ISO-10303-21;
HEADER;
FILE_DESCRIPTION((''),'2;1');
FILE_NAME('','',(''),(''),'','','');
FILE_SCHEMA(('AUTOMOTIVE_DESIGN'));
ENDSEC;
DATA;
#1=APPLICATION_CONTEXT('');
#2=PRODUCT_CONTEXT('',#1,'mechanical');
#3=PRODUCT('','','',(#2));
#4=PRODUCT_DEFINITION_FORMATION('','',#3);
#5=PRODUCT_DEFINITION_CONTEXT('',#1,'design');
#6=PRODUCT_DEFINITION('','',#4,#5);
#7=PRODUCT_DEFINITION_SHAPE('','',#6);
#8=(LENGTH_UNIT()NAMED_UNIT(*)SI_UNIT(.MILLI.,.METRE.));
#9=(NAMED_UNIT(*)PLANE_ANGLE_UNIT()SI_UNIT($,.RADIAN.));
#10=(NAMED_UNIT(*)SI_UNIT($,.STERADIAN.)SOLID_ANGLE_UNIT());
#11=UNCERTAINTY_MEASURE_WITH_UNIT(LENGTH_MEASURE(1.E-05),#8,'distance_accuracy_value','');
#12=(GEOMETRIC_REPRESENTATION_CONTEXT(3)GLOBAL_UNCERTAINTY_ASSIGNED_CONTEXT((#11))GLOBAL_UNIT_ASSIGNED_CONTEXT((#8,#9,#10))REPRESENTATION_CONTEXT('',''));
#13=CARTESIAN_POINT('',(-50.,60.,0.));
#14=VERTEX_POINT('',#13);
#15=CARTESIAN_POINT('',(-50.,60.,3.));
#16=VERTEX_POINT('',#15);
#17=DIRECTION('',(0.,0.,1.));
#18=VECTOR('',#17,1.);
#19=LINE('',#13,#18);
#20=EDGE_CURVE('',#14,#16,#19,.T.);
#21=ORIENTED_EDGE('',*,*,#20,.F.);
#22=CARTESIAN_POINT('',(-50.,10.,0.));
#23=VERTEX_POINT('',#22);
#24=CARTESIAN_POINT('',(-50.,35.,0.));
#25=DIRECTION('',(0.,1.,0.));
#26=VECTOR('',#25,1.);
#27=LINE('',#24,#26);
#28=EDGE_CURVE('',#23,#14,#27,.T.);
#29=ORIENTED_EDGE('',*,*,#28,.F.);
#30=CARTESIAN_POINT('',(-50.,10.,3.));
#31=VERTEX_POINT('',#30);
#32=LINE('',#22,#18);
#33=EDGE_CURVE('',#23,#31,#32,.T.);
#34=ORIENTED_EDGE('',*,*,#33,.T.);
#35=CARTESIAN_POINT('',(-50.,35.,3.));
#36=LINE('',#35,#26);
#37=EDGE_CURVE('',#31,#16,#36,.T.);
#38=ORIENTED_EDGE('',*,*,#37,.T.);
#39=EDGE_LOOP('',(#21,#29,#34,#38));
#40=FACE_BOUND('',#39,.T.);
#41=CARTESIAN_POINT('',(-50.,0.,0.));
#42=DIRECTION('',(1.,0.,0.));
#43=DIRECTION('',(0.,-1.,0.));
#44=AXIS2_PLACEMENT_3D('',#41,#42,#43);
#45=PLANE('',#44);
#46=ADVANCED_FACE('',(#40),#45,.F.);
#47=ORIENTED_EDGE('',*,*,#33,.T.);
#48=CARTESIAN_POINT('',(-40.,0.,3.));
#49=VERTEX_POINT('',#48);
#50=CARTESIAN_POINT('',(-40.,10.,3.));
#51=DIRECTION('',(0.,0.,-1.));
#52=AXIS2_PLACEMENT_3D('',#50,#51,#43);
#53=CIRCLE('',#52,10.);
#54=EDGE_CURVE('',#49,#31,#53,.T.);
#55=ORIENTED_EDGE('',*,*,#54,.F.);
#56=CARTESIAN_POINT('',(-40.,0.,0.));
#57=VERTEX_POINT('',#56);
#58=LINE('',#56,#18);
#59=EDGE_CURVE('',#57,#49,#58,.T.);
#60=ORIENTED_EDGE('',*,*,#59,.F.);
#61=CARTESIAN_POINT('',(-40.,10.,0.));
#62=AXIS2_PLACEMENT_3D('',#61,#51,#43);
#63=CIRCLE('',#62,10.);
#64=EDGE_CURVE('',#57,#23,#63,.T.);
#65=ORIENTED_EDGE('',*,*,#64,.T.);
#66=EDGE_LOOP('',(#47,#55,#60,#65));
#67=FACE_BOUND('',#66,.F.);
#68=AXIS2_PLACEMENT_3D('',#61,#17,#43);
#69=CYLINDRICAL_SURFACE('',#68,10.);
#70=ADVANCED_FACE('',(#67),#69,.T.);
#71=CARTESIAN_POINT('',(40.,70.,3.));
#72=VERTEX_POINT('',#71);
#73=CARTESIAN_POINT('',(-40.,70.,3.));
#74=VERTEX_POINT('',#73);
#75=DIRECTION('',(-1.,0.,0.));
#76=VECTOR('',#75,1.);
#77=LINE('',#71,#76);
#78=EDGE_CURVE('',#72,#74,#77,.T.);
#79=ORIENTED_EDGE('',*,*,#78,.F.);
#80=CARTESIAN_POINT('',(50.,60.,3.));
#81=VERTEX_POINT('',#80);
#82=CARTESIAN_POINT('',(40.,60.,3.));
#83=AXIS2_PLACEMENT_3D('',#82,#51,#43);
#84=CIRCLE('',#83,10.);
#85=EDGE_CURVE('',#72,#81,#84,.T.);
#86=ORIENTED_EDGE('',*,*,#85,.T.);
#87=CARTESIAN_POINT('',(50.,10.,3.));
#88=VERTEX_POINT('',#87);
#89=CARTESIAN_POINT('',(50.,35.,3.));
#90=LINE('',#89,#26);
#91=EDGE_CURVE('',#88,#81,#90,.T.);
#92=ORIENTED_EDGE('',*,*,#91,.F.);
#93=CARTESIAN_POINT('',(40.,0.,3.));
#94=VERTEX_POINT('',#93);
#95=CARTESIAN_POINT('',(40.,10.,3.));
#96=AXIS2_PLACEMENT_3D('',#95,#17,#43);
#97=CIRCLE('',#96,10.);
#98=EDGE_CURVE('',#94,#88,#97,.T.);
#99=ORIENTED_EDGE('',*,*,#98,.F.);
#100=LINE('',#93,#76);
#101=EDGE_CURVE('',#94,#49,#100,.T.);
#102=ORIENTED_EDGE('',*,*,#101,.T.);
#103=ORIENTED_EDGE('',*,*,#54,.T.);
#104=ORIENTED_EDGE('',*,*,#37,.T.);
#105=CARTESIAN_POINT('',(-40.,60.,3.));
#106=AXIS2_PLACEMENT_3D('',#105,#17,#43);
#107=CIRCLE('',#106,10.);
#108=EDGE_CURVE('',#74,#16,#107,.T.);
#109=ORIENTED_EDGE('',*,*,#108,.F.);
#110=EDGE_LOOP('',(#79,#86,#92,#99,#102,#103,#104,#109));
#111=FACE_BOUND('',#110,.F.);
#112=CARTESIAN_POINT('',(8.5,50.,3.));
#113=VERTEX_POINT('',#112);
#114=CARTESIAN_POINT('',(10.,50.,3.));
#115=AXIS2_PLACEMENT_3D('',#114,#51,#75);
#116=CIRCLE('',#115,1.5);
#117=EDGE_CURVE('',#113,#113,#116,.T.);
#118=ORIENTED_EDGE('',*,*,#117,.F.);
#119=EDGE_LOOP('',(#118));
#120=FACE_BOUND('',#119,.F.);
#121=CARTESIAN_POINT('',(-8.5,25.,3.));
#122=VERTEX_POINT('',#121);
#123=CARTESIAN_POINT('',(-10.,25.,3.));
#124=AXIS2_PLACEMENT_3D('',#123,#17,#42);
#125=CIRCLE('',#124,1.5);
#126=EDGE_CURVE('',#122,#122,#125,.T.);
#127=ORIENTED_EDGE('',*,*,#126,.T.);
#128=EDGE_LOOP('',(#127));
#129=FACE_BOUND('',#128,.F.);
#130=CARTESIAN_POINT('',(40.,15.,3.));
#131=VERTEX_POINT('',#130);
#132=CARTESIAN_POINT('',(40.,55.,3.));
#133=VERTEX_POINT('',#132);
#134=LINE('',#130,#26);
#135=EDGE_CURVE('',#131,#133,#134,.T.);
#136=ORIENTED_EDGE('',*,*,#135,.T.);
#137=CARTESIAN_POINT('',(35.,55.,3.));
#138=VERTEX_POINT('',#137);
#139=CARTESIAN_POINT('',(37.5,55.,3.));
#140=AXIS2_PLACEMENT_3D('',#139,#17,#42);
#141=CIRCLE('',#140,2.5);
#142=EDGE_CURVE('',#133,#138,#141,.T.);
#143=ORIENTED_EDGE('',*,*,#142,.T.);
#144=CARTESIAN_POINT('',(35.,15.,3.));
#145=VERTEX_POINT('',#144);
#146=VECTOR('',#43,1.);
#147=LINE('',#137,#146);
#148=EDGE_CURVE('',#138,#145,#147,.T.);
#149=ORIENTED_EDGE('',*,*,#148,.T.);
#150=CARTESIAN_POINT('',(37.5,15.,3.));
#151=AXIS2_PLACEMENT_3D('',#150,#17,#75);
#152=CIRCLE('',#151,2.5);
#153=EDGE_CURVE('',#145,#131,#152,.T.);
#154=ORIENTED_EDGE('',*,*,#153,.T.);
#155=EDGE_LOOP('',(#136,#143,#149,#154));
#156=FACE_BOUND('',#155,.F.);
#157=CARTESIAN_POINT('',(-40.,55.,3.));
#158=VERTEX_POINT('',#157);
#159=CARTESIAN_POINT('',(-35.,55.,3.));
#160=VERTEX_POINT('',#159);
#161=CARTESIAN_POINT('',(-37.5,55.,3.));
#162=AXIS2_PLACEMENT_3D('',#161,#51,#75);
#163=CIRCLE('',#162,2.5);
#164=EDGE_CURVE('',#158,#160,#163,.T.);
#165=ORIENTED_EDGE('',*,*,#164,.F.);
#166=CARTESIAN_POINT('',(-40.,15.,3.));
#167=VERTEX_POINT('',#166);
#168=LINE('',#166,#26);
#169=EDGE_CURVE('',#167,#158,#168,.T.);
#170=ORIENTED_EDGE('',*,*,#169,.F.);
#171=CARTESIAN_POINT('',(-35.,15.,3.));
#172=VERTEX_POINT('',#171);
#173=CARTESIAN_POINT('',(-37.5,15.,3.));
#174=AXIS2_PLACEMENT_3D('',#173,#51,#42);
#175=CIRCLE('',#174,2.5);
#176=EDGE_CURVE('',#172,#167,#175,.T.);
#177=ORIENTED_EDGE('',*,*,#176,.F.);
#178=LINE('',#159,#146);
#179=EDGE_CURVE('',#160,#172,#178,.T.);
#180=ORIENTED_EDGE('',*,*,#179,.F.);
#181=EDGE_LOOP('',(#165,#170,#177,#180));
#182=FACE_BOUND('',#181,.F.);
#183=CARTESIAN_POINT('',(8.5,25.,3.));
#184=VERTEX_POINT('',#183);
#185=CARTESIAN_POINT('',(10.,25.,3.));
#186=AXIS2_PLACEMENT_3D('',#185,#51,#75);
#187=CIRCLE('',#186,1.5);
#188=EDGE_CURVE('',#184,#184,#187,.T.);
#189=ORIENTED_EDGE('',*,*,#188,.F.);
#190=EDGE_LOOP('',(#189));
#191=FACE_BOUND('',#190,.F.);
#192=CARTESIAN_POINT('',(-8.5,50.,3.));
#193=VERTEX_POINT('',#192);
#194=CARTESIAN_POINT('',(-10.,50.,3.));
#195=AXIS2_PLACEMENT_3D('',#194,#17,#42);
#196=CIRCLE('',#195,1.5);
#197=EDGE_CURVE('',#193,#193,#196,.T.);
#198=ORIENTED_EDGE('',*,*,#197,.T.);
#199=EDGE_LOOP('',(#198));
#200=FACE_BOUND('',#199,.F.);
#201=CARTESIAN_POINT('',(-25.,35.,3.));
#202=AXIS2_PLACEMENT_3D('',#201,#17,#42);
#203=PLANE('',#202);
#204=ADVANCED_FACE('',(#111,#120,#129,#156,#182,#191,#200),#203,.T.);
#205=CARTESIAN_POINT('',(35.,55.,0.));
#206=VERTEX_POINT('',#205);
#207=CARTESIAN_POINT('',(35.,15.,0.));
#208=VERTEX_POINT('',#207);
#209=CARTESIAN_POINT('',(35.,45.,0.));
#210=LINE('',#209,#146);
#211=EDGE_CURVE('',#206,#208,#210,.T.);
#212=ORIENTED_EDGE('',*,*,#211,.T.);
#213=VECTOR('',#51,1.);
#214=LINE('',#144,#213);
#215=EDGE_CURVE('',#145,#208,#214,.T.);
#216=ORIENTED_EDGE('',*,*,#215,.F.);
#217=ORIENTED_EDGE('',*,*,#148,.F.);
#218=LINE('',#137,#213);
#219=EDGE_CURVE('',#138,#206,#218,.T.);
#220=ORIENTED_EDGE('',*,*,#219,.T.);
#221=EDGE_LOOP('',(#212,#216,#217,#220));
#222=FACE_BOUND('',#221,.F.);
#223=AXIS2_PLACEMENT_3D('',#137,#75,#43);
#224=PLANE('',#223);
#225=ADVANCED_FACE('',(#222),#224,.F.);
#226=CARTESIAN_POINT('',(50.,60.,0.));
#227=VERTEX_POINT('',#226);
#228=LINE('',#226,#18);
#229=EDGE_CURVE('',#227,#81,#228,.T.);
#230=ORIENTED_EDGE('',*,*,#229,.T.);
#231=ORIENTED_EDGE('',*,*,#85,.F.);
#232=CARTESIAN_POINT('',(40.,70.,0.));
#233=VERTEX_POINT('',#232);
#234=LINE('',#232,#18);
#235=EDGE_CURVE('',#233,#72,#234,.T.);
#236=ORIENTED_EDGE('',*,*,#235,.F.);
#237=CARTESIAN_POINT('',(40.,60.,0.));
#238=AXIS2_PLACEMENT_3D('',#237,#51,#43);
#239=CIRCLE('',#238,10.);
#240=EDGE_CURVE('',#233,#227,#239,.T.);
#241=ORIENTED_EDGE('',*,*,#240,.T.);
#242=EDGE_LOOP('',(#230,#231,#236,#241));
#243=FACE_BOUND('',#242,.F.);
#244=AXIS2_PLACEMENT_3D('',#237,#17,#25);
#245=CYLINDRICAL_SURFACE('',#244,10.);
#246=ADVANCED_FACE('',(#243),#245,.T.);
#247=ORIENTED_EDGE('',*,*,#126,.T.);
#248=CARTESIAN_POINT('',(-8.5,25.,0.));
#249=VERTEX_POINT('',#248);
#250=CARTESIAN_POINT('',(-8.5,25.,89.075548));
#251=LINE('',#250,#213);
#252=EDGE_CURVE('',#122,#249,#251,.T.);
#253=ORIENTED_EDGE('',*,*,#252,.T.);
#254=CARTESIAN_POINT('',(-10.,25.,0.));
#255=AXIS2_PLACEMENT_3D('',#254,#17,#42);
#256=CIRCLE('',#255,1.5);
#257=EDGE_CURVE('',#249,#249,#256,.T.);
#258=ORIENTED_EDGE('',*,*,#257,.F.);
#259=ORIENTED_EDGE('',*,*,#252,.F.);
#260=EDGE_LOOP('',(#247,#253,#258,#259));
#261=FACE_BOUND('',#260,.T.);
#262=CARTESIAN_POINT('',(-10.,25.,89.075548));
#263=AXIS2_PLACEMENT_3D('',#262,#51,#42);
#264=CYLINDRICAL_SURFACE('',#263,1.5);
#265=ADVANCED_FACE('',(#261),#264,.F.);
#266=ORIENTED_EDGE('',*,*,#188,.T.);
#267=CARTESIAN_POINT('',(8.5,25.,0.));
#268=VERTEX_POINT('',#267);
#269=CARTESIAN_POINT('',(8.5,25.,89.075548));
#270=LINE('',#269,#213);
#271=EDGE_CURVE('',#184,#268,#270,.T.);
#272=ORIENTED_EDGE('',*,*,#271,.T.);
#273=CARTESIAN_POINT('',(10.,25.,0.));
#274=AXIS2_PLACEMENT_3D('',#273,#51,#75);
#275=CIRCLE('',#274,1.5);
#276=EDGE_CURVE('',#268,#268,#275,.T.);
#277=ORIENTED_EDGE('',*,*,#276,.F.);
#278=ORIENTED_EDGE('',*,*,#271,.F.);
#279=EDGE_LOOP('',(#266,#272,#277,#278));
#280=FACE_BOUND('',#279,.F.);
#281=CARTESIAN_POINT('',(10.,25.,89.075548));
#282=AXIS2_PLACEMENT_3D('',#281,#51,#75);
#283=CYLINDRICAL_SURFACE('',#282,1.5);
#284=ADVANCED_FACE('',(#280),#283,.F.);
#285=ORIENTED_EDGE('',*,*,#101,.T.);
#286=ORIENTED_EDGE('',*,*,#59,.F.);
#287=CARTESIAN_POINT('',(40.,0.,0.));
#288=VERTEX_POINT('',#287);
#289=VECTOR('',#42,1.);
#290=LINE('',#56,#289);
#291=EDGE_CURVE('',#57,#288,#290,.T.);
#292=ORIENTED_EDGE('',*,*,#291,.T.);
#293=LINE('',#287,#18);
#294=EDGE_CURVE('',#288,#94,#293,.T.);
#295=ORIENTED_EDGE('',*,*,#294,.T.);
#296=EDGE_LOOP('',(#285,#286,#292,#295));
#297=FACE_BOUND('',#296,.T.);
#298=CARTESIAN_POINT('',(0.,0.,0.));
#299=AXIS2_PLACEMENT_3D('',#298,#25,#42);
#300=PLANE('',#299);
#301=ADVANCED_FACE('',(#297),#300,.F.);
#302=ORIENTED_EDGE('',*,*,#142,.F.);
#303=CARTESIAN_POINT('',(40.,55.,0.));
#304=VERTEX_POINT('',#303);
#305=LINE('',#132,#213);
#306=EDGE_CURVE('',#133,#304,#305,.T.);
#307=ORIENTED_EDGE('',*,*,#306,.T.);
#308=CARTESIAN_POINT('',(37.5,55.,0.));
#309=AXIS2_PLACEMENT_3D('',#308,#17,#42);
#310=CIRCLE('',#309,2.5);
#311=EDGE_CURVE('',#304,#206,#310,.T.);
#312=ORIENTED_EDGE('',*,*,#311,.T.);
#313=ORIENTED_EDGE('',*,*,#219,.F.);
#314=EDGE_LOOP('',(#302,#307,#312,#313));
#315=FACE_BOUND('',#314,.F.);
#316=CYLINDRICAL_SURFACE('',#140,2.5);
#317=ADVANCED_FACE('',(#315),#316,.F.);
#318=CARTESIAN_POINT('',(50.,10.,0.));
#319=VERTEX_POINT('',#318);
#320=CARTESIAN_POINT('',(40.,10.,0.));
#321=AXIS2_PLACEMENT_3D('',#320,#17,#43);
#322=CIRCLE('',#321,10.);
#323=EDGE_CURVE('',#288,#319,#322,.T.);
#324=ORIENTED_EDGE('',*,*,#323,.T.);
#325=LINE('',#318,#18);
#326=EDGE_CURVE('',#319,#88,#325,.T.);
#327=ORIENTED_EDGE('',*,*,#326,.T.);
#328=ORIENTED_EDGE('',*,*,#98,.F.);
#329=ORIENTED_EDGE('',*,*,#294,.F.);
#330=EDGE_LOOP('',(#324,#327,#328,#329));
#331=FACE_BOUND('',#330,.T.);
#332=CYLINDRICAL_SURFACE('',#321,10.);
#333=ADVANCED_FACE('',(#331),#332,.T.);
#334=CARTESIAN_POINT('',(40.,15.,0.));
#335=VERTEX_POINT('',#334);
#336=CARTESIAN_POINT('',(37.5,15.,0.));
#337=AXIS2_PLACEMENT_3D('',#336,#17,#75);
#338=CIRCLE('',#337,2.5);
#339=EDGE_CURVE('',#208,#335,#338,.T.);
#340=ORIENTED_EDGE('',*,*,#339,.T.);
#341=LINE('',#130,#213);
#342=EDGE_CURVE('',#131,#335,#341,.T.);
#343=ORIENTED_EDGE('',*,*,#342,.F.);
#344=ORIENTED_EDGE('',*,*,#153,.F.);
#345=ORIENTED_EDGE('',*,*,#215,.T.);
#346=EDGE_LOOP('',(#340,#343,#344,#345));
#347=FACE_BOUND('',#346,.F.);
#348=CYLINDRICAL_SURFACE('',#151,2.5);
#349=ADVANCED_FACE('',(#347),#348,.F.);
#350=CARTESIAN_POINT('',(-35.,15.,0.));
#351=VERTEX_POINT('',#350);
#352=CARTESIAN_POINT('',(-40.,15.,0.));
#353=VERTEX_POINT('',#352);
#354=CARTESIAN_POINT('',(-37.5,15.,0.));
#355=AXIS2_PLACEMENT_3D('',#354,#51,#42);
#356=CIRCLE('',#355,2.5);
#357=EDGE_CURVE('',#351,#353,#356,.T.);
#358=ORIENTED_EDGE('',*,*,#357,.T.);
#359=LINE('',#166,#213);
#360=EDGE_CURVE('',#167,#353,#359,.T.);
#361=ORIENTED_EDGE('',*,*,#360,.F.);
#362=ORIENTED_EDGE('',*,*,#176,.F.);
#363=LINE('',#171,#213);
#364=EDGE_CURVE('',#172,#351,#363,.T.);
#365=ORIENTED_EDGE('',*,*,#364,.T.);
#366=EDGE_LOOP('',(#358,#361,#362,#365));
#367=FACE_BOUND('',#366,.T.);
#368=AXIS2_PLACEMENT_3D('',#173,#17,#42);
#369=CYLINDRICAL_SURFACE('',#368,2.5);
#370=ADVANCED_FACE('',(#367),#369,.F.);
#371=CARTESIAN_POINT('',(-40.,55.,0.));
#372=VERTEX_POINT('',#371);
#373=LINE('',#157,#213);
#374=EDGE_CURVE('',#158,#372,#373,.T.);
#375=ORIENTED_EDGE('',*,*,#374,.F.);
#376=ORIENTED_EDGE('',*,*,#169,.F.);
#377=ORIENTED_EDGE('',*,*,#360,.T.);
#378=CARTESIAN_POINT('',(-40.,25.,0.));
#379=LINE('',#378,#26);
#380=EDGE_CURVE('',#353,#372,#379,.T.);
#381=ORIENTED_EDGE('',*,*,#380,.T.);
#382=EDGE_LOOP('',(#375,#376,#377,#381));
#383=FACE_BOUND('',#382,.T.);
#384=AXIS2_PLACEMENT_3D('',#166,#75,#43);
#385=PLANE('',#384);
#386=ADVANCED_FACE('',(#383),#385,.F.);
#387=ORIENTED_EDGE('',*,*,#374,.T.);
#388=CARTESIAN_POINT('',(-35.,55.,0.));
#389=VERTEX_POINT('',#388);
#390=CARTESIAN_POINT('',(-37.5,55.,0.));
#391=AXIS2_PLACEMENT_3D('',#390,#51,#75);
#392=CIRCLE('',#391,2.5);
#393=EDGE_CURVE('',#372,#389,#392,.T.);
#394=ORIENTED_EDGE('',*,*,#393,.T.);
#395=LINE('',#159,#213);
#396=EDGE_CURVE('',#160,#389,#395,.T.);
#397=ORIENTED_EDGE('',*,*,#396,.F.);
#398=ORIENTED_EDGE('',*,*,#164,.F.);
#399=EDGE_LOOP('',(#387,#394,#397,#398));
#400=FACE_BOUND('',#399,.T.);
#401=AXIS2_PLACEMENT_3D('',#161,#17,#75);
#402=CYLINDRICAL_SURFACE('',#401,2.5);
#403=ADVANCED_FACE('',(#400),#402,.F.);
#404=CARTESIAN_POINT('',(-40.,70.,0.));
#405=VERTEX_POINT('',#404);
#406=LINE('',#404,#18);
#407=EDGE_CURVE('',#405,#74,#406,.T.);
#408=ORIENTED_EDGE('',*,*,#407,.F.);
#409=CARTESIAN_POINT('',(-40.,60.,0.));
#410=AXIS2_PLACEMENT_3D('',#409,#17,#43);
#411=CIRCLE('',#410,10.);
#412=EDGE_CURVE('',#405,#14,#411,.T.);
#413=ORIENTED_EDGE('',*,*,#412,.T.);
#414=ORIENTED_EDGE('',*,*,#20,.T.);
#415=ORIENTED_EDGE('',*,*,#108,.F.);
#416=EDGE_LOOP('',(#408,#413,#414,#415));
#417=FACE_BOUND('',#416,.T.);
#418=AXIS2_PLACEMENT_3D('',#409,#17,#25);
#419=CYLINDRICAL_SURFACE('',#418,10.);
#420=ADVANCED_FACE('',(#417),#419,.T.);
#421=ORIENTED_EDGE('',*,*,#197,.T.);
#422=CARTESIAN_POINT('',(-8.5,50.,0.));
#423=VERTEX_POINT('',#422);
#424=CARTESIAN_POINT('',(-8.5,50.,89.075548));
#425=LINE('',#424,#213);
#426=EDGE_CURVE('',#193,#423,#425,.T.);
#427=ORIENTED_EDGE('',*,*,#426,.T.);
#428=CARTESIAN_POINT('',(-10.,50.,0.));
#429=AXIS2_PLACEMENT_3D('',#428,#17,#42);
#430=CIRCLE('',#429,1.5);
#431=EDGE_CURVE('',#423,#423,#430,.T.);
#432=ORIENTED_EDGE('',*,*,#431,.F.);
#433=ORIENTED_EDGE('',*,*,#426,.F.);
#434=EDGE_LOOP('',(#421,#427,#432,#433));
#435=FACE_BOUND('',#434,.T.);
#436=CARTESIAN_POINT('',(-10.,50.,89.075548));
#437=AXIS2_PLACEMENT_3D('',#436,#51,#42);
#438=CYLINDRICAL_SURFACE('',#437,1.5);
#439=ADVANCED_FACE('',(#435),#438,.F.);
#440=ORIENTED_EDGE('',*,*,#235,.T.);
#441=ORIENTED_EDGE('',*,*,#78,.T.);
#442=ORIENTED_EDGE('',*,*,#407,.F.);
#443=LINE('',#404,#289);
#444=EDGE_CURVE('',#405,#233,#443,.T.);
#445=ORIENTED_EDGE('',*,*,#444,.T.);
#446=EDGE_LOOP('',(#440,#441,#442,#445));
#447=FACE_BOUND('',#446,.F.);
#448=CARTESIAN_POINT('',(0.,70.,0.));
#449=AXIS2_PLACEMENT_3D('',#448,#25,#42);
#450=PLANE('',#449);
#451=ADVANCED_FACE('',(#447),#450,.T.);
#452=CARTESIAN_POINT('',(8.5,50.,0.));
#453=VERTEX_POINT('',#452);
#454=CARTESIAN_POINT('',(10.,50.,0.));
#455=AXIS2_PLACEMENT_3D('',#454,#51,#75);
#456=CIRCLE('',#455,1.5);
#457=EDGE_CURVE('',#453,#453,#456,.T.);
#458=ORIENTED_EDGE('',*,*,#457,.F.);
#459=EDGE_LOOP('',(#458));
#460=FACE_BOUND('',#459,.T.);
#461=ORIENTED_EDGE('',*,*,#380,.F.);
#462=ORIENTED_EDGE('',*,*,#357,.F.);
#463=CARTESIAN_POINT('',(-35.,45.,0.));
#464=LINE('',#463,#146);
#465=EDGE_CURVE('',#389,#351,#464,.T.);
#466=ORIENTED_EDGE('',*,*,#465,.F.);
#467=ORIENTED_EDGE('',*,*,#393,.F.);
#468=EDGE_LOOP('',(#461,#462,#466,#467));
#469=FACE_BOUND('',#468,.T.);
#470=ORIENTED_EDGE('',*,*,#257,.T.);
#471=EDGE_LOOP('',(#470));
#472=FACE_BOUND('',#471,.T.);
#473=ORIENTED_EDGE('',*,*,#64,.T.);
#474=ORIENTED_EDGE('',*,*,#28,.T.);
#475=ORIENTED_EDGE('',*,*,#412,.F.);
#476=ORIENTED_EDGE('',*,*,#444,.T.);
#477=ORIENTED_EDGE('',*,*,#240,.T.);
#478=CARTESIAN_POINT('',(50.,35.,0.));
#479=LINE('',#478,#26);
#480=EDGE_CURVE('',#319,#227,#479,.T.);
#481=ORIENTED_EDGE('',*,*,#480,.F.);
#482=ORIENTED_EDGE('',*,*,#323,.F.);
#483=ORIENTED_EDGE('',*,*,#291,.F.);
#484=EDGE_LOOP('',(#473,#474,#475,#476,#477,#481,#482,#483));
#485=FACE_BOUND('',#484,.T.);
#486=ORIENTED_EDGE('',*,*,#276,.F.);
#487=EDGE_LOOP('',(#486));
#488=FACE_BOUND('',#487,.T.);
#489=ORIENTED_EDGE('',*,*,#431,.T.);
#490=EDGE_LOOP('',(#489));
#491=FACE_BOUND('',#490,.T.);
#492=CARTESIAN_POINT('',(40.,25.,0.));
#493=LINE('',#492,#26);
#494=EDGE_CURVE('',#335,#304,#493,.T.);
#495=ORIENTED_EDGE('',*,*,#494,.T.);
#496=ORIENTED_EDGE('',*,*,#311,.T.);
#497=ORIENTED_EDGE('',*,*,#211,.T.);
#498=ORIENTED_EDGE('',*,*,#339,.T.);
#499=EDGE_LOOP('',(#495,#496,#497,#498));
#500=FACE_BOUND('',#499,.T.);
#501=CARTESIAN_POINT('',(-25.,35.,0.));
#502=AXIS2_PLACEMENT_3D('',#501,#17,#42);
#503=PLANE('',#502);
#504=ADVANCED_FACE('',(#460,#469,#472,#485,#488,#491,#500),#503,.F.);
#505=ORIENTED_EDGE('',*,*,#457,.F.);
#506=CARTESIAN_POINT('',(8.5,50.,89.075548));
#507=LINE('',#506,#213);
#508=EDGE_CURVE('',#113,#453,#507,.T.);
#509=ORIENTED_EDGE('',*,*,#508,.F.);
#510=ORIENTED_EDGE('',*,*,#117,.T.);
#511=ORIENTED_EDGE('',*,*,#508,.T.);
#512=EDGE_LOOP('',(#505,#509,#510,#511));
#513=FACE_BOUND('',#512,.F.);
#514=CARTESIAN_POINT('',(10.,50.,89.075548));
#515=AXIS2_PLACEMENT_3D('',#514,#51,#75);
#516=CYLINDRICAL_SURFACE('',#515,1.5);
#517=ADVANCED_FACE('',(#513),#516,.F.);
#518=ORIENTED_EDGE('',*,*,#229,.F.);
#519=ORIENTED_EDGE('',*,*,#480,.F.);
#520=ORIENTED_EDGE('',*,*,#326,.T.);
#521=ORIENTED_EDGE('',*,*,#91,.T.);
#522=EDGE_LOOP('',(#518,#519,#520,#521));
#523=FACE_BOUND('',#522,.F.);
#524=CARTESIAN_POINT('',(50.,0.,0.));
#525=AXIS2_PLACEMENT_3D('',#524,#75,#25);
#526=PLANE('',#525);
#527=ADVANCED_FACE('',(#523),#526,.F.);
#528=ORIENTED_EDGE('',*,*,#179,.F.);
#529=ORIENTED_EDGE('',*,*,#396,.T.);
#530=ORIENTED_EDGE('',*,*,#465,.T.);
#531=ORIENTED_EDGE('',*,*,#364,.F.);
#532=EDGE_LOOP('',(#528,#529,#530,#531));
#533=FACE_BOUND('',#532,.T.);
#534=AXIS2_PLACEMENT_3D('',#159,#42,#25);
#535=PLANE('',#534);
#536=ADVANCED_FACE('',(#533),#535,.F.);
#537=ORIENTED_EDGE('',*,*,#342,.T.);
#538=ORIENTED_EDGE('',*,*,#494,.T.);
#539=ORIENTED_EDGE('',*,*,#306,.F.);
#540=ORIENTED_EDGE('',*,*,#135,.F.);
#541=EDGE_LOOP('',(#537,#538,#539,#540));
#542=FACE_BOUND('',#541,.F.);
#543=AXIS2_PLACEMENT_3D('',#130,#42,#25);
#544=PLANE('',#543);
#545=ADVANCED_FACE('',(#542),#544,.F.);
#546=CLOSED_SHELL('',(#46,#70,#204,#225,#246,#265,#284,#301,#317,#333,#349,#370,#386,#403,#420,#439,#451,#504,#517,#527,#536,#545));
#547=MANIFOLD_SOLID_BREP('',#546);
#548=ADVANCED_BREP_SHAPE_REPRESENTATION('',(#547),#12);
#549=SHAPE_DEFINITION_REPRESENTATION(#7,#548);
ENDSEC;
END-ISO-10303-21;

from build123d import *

# Parameters (mm, degrees)
F0_W     = 50
F0_H     = 70
F1_DEPTH = 3
F4_D     = 3
F8_DEPTH = 28.640468
F9_R     = 10


with BuildPart() as f1:
    # F0 (on Top) → F1 (new body)
    with BuildSketch(Plane.XY):
        with Locations((25, 35)):
            Rectangle(F0_W, F0_H)
    extrude(amount=F1_DEPTH)

    # F4 (through all)
    with Locations(Plane.XY.offset(3)):
        with Locations((10, 25), (10, 50)):
            Hole(F4_D / 2)

    # F7 (on face) → F8 (cut)
    with BuildSketch(Plane.XY.offset(3)):
        with BuildLine():
            ThreePointArc((35, 15), (37.5, 12.5), (40, 15))
            Line((40, 15), (40, 55))
            ThreePointArc((40, 55), (37.5, 57.5), (35, 55))
            Line((35, 55), (35, 15))
        make_face()
    extrude(amount=-F8_DEPTH, mode=Mode.SUBTRACT)

    # F9
    f9_edges = [f1.edges().sort_by_distance(p)[0] for p in [
        (50, 70, 1.5),
        (50, 0, 1.5),
    ]]
    fillet(f9_edges, radius=F9_R)

    # F10: F1 across plane


with BuildPart() as f1_1:
    add(f1.part)
    add(f1.part.mirror(Plane.YZ))


solid = f1_1.part
